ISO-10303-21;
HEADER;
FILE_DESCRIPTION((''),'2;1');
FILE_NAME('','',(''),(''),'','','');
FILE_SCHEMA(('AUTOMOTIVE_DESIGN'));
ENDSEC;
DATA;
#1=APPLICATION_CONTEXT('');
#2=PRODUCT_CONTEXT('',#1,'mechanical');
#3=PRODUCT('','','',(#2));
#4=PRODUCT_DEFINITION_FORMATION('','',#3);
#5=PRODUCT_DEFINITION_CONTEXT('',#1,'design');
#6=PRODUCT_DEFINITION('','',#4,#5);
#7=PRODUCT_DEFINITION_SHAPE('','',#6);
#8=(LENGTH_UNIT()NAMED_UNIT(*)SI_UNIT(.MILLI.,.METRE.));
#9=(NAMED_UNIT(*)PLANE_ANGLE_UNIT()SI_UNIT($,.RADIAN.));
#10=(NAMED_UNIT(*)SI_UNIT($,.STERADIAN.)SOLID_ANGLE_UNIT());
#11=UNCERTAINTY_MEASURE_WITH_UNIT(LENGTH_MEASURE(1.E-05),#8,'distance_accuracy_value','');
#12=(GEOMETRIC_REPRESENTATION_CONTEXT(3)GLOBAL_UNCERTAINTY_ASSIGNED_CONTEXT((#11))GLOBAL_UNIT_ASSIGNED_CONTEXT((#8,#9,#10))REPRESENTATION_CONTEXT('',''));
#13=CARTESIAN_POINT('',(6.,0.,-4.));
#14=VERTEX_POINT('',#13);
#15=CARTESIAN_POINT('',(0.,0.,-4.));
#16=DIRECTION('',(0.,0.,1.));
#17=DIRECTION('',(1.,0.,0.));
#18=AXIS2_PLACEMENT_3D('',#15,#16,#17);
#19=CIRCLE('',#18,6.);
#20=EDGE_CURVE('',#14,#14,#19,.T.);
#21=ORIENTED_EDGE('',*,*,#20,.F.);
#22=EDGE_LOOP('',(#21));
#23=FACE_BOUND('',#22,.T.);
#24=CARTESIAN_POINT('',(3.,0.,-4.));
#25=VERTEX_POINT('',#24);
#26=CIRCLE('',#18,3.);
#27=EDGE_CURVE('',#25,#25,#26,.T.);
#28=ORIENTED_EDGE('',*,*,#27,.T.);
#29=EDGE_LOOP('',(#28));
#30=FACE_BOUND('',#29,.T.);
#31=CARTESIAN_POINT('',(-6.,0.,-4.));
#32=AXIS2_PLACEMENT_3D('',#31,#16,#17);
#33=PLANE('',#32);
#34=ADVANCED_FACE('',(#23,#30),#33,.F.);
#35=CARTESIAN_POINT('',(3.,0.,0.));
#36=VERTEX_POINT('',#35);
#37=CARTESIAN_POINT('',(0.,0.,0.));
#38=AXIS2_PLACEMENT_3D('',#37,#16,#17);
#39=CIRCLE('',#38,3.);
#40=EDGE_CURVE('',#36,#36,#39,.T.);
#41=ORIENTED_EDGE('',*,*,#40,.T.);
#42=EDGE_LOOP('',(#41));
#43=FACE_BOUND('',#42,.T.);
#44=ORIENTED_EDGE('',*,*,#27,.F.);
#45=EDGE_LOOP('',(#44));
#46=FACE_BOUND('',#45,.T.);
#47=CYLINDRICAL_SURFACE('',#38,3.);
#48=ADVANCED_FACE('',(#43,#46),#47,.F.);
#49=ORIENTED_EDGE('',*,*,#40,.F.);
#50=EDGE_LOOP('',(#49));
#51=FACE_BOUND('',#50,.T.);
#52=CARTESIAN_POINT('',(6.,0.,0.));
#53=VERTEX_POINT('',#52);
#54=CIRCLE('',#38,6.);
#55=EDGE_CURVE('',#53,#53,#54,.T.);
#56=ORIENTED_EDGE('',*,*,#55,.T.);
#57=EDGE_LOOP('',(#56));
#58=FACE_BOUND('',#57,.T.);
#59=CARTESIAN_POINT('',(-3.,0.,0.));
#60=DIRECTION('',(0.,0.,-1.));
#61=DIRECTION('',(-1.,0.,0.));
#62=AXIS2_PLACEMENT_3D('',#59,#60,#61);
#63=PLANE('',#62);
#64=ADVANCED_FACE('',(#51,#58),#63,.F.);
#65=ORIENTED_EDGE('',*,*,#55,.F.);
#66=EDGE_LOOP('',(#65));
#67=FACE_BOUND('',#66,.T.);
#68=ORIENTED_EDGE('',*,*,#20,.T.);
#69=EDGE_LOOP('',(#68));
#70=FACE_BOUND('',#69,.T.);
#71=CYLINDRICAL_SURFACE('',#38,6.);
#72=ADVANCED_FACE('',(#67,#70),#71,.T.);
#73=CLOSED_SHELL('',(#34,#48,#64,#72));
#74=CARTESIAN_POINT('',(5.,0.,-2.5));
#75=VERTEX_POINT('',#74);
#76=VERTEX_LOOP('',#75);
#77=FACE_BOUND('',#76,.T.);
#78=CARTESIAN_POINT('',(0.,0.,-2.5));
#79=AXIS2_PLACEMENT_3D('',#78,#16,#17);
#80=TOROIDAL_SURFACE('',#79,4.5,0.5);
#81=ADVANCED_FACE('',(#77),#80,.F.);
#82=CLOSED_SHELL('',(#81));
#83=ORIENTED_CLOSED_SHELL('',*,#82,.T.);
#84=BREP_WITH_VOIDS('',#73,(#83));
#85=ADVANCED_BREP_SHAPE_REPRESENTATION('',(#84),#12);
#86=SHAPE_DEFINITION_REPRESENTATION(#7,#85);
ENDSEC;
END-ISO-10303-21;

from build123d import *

# Parameters (mm, degrees)
SKETCH_1_W = 3
SKETCH_1_H = 4
SKETCH_1_R = 0.5


with BuildPart() as part:
    # Эскиз1 → Повернуть1 (revolve)
    with BuildSketch(Plane(origin=(0, 0, 0), x_dir=(1, 0, 0), z_dir=(0, 1, 0)), mode=Mode.PRIVATE) as revolve_1_sk:
        with Locations((-4.5, 2)):
            Rectangle(SKETCH_1_W, SKETCH_1_H)
        with Locations((-4.5, 2.5)):
            Circle(SKETCH_1_R, mode=Mode.SUBTRACT)
    revolve(revolve_1_sk.sketch.rotate(Axis((0, 0, 0), (0, 0, -1)), 180), axis=Axis((0, 0, 0), (0, 0, -1)))


solid = part.part
